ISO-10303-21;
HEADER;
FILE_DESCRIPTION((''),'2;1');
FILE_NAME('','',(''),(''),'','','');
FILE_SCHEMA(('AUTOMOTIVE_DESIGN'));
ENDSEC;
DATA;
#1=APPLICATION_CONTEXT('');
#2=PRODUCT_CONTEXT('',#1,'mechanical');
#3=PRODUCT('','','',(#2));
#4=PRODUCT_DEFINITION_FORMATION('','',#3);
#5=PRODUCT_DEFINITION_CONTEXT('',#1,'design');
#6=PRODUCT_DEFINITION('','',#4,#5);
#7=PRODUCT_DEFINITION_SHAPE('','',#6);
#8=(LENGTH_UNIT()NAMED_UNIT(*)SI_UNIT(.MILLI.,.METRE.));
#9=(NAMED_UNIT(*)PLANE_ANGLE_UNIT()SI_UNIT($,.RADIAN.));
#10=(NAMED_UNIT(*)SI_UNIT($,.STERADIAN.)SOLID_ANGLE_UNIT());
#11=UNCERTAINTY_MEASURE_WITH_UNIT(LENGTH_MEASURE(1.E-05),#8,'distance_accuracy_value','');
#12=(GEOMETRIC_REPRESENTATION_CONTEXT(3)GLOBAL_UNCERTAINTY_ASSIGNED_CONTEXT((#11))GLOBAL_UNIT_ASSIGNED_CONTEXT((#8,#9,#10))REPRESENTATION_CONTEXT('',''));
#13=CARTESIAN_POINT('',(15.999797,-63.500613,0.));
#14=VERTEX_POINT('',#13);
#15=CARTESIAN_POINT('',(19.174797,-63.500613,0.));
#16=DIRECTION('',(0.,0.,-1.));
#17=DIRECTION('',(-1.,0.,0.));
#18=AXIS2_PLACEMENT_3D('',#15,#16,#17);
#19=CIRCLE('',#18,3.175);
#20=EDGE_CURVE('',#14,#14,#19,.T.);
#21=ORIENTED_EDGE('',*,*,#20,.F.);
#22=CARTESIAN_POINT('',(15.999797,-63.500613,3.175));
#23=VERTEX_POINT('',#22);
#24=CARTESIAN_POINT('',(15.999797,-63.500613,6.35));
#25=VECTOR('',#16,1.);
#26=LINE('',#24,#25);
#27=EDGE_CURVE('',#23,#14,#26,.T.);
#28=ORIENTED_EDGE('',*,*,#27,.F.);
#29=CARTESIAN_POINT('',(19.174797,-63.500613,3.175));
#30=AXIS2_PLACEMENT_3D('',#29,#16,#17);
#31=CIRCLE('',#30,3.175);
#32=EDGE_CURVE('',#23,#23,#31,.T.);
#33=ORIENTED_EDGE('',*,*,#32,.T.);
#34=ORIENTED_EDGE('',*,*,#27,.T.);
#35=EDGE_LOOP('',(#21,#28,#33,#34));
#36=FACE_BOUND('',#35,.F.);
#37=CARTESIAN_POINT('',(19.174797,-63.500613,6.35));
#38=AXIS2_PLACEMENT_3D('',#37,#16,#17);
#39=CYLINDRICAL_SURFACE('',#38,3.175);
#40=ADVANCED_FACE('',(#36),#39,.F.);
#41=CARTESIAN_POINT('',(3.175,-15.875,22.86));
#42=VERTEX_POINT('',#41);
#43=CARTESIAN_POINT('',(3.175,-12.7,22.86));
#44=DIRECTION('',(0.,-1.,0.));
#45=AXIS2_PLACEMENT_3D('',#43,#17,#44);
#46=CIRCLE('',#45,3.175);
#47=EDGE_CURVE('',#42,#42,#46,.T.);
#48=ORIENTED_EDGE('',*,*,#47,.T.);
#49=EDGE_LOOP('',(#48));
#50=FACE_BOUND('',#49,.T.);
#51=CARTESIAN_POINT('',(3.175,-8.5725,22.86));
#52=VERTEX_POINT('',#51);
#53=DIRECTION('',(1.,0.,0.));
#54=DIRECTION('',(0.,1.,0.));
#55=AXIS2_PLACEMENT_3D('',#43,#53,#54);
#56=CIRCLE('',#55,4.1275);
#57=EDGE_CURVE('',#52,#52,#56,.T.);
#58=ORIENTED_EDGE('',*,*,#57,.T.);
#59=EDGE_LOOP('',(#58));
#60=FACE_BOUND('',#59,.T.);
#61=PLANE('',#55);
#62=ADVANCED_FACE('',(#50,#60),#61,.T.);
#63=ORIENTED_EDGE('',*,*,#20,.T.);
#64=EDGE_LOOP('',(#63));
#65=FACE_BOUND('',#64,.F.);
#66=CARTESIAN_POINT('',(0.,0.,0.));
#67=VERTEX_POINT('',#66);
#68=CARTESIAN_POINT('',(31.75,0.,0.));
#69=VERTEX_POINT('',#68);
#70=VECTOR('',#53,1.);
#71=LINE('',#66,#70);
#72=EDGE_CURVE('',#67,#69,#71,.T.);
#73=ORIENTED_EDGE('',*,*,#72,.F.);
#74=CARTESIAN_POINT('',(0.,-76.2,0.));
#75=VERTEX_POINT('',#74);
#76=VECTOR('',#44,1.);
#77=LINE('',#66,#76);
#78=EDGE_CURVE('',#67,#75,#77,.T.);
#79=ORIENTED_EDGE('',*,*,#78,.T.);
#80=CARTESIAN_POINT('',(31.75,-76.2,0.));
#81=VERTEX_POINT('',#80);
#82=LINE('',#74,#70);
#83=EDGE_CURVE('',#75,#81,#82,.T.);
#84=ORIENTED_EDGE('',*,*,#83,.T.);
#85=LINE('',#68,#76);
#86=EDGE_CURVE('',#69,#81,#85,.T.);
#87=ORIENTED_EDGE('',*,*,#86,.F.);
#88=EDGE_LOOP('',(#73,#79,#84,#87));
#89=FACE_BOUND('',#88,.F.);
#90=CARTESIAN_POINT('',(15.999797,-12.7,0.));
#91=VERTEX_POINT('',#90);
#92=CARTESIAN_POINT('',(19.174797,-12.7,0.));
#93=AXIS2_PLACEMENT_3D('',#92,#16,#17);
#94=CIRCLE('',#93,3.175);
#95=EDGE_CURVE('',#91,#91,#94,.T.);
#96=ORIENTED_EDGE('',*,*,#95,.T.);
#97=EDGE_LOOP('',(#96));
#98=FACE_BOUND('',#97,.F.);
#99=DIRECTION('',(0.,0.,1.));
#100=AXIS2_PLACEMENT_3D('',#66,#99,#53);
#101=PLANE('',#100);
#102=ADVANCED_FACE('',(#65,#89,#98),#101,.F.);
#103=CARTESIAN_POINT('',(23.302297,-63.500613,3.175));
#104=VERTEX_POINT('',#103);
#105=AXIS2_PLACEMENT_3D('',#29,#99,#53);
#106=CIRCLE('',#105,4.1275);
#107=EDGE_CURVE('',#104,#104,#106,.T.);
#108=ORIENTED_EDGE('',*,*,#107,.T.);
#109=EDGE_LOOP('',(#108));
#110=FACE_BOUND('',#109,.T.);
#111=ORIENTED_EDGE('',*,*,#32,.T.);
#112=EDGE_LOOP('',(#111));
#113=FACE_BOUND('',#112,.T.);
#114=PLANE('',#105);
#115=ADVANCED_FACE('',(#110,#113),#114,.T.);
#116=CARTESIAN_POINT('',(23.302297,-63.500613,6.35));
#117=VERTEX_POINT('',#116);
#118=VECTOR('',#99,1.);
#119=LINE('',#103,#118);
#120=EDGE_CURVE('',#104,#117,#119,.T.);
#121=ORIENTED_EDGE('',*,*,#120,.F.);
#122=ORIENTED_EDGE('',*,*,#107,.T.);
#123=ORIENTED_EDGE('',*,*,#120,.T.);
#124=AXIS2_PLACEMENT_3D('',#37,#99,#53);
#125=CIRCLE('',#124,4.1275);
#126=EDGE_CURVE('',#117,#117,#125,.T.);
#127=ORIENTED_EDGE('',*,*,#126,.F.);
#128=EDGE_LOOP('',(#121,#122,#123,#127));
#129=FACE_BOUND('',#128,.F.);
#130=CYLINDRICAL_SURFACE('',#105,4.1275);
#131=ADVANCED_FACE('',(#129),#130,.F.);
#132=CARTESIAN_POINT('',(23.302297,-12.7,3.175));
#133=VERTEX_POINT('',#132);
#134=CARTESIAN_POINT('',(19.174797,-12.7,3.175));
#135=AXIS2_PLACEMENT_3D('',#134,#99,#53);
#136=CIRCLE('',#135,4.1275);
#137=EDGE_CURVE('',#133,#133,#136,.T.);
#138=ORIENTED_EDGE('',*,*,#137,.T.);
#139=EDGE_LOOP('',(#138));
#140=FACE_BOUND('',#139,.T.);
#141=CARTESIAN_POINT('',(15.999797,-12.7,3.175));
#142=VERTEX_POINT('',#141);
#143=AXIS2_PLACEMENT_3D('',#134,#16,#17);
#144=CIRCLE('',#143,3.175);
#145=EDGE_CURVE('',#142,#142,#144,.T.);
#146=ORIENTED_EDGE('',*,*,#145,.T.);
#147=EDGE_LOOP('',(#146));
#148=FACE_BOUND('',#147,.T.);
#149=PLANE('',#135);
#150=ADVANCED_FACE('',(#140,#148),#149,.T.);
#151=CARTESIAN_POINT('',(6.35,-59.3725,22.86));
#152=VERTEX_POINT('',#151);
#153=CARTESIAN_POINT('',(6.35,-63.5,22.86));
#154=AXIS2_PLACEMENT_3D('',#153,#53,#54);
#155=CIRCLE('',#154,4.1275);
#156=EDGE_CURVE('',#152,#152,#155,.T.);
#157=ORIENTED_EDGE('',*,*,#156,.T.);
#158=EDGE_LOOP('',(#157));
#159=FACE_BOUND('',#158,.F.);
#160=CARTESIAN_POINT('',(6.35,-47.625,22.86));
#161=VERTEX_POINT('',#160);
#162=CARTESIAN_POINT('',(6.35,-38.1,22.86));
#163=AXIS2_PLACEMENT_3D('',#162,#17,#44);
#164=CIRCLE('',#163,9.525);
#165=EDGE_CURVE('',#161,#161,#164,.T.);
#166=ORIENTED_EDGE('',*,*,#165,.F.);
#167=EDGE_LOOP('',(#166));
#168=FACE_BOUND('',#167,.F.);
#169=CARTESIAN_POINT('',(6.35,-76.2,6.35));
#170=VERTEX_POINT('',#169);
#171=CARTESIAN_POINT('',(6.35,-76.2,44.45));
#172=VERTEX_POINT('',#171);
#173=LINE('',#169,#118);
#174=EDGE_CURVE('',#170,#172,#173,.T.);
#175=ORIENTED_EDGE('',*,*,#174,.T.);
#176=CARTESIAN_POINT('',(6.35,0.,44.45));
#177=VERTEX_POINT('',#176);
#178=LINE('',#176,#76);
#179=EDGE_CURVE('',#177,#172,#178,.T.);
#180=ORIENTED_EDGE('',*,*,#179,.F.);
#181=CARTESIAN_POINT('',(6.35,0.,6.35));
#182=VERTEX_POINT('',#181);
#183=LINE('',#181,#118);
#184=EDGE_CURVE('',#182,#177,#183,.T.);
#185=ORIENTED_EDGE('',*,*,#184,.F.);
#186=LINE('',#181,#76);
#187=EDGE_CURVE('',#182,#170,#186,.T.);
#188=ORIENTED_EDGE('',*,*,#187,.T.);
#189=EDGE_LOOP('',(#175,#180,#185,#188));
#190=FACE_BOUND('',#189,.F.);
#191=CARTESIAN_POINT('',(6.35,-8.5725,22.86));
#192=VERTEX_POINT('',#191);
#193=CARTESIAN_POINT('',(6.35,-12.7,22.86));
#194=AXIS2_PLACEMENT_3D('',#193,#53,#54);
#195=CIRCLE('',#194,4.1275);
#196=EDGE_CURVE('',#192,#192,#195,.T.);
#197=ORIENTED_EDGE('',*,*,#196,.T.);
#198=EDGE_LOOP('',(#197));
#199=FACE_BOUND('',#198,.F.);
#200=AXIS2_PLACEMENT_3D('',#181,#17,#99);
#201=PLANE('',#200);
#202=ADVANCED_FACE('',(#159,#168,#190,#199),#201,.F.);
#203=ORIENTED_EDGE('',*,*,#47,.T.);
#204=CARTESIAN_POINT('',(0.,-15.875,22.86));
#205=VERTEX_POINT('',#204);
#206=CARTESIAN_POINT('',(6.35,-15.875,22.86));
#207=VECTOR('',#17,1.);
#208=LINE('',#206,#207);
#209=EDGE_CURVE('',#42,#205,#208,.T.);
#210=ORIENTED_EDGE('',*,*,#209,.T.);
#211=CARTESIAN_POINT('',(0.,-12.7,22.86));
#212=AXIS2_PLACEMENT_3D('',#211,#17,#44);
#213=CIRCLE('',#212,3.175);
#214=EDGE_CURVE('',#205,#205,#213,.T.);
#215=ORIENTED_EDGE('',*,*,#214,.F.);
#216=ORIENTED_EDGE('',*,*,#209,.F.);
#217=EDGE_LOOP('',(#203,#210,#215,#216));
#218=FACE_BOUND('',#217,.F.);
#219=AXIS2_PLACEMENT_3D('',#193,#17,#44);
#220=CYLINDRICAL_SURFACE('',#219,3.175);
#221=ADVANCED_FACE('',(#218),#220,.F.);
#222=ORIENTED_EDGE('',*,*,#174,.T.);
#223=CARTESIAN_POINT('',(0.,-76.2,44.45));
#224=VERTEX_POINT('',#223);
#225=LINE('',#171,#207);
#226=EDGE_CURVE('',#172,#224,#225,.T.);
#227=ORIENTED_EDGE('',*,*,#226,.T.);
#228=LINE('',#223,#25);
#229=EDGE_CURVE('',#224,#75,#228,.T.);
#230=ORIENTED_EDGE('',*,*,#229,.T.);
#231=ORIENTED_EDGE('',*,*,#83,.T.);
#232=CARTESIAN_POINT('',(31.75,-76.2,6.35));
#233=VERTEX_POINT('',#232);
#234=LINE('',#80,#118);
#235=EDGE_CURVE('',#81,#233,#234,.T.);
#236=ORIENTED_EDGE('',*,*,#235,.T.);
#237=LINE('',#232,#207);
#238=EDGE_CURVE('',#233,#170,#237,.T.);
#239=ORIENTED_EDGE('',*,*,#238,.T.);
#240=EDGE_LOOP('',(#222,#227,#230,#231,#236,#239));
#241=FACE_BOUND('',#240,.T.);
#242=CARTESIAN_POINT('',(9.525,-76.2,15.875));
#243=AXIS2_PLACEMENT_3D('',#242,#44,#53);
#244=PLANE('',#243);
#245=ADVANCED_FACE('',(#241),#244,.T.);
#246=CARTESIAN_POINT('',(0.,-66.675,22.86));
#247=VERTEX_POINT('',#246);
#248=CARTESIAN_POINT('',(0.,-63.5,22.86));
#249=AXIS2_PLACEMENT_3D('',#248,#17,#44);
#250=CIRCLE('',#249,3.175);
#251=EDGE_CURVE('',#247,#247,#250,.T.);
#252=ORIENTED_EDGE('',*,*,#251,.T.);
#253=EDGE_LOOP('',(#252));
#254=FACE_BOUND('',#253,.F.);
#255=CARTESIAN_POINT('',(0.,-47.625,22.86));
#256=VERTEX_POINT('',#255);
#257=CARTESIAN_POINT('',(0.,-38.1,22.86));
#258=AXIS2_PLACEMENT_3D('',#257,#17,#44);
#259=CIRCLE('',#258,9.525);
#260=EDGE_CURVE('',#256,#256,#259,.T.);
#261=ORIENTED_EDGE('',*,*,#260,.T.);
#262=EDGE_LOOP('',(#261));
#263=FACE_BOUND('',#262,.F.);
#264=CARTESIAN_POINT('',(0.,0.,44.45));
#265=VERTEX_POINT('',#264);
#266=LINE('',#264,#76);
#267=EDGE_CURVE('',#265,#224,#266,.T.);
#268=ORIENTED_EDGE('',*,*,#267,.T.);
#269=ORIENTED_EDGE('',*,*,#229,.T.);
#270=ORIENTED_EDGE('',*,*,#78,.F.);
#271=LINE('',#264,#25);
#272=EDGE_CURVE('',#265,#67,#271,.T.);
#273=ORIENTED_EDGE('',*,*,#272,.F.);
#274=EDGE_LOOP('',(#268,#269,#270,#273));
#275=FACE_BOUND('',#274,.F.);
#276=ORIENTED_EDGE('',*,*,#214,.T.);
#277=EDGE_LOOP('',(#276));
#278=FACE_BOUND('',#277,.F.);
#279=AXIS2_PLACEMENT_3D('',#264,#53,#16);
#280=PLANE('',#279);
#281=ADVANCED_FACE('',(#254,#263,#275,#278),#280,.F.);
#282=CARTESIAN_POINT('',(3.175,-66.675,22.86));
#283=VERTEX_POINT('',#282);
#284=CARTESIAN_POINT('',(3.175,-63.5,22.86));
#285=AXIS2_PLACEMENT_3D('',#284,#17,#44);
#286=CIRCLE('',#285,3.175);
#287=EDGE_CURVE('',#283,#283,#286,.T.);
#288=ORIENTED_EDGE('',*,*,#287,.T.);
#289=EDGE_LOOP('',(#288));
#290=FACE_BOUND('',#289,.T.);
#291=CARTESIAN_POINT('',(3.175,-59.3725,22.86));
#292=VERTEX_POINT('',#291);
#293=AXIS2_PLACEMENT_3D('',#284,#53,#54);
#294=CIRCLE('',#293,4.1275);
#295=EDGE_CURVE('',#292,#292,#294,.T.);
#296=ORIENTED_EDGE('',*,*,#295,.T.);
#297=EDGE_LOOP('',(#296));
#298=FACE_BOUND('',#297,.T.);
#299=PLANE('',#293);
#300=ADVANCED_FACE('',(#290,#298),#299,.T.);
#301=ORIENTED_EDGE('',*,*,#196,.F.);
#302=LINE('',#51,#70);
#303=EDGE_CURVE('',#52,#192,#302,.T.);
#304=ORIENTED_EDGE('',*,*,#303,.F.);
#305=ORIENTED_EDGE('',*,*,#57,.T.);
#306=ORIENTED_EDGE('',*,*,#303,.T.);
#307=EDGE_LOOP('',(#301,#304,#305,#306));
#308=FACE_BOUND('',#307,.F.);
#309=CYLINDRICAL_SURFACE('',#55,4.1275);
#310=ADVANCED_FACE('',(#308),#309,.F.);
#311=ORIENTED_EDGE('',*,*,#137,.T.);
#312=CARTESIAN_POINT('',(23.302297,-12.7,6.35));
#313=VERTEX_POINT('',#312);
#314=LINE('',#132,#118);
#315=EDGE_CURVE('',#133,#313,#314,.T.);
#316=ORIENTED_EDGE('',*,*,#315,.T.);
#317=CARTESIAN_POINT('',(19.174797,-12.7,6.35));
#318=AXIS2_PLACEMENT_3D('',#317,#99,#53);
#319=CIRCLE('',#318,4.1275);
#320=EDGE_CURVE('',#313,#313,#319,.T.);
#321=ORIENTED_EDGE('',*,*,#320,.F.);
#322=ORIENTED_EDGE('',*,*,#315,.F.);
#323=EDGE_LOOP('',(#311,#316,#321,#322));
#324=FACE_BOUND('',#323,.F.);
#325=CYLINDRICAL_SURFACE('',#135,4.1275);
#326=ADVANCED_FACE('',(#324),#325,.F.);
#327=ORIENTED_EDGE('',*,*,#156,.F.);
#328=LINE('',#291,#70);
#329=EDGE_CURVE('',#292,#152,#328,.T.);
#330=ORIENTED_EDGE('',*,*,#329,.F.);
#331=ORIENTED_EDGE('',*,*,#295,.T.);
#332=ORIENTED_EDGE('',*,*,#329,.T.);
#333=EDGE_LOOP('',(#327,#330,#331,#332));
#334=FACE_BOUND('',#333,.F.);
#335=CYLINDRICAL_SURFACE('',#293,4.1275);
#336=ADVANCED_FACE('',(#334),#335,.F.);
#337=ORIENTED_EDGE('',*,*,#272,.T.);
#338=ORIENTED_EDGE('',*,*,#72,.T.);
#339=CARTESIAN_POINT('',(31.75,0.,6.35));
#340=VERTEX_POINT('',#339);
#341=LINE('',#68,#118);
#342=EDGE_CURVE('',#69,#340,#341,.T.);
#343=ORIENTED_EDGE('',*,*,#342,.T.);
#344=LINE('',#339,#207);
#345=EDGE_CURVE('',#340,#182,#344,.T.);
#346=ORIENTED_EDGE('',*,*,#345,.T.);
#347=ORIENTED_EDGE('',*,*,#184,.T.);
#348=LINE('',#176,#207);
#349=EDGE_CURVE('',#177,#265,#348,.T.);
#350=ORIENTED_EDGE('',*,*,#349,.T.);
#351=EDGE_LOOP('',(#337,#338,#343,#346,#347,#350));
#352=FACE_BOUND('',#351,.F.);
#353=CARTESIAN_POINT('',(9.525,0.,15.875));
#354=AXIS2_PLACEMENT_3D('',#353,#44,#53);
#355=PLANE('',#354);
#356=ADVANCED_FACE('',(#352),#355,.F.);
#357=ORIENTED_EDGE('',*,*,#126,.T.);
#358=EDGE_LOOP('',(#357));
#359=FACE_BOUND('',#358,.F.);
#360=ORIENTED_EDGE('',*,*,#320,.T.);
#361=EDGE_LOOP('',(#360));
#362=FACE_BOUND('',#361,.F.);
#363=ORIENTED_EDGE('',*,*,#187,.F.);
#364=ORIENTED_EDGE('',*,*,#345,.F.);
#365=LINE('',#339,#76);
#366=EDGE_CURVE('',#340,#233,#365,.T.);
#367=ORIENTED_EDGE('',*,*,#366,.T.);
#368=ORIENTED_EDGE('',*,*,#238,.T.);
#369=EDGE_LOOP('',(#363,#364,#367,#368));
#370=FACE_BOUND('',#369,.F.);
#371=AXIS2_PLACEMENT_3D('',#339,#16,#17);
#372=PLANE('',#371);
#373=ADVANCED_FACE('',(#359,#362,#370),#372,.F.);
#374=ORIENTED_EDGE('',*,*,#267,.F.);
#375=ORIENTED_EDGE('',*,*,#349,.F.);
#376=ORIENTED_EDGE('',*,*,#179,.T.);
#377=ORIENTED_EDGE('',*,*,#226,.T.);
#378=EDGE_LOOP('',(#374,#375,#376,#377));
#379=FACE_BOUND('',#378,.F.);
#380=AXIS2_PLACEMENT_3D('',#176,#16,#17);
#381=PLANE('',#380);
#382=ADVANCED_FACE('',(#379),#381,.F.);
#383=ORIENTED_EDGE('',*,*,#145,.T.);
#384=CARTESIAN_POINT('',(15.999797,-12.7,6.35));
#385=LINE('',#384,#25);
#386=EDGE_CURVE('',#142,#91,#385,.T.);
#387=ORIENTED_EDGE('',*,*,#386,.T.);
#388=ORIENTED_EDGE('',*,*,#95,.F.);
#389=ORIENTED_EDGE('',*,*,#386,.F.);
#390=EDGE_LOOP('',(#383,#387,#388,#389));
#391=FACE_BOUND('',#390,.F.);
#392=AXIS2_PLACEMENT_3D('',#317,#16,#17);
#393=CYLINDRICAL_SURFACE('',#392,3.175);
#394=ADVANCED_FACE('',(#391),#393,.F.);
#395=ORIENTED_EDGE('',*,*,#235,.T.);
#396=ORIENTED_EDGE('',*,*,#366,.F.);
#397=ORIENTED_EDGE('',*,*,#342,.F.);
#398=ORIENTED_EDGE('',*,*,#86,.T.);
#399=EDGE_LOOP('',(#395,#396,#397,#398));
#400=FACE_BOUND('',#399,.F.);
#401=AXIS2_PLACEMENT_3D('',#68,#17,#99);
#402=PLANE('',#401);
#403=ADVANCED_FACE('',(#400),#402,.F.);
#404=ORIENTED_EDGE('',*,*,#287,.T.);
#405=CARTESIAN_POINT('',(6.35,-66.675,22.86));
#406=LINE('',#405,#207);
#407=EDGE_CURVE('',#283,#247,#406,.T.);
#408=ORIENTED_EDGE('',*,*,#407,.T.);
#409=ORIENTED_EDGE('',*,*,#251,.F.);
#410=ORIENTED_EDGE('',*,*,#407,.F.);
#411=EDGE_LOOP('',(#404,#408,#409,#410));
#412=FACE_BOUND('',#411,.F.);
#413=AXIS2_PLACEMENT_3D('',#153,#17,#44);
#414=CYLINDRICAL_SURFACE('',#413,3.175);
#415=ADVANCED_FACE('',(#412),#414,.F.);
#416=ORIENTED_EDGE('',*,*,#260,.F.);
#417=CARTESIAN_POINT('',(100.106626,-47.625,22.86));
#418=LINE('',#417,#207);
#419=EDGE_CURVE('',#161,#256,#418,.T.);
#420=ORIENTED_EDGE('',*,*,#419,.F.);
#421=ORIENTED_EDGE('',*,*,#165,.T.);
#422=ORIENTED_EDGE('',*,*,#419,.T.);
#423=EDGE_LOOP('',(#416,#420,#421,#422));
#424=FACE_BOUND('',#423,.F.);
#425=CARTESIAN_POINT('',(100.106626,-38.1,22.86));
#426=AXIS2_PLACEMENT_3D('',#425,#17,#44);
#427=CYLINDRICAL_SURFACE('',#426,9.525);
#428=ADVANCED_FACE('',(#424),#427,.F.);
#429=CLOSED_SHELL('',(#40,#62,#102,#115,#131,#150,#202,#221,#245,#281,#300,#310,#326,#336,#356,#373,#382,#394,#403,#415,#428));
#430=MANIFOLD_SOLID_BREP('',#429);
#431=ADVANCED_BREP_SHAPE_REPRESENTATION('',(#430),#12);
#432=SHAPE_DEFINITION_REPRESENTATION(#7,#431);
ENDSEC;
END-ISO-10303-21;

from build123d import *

# Parameters (mm, degrees)
F1_DEPTH             = 76.2
F5_D                 = 6.35
F5_CBORE_D           = 8.255
F5_CBORE_DEPTH       = 3.175
F5_ON_F4_D           = 6.35
F5_ON_F4_CBORE_D     = 8.255
F5_ON_F4_CBORE_DEPTH = 3.175
F6_D                 = 19.05


with BuildPart() as f1:
    # F0 (on Front) → F1 (new body)
    with BuildSketch(Plane.XZ):
        Polygon((0, 44.45), (0, 0), (31.75, 0), (31.75, 6.35), (6.35, 6.35), (6.35, 44.45), align=None)
    extrude(amount=F1_DEPTH)

    # F5 (through all)
    with Locations(Plane.YZ.offset(6.35)):
        with Locations((-63.5, 22.86), (-12.7, 22.86)):
            CounterBoreHole(F5_D / 2, F5_CBORE_D / 2, F5_CBORE_DEPTH)

    # F5 on F4 (through all)
    with Locations(Plane.XY.offset(6.35)):
        with Locations((19.1747965182, -12.7), (19.1747965182, -63.5006131711)):
            CounterBoreHole(F5_ON_F4_D / 2, F5_ON_F4_CBORE_D / 2, F5_ON_F4_CBORE_DEPTH)

    # F6 (through all)
    with Locations(Plane.YZ.offset(6.35)):
        with Locations((-38.1, 22.86)):
            Hole(F6_D / 2)


solid = f1.part
